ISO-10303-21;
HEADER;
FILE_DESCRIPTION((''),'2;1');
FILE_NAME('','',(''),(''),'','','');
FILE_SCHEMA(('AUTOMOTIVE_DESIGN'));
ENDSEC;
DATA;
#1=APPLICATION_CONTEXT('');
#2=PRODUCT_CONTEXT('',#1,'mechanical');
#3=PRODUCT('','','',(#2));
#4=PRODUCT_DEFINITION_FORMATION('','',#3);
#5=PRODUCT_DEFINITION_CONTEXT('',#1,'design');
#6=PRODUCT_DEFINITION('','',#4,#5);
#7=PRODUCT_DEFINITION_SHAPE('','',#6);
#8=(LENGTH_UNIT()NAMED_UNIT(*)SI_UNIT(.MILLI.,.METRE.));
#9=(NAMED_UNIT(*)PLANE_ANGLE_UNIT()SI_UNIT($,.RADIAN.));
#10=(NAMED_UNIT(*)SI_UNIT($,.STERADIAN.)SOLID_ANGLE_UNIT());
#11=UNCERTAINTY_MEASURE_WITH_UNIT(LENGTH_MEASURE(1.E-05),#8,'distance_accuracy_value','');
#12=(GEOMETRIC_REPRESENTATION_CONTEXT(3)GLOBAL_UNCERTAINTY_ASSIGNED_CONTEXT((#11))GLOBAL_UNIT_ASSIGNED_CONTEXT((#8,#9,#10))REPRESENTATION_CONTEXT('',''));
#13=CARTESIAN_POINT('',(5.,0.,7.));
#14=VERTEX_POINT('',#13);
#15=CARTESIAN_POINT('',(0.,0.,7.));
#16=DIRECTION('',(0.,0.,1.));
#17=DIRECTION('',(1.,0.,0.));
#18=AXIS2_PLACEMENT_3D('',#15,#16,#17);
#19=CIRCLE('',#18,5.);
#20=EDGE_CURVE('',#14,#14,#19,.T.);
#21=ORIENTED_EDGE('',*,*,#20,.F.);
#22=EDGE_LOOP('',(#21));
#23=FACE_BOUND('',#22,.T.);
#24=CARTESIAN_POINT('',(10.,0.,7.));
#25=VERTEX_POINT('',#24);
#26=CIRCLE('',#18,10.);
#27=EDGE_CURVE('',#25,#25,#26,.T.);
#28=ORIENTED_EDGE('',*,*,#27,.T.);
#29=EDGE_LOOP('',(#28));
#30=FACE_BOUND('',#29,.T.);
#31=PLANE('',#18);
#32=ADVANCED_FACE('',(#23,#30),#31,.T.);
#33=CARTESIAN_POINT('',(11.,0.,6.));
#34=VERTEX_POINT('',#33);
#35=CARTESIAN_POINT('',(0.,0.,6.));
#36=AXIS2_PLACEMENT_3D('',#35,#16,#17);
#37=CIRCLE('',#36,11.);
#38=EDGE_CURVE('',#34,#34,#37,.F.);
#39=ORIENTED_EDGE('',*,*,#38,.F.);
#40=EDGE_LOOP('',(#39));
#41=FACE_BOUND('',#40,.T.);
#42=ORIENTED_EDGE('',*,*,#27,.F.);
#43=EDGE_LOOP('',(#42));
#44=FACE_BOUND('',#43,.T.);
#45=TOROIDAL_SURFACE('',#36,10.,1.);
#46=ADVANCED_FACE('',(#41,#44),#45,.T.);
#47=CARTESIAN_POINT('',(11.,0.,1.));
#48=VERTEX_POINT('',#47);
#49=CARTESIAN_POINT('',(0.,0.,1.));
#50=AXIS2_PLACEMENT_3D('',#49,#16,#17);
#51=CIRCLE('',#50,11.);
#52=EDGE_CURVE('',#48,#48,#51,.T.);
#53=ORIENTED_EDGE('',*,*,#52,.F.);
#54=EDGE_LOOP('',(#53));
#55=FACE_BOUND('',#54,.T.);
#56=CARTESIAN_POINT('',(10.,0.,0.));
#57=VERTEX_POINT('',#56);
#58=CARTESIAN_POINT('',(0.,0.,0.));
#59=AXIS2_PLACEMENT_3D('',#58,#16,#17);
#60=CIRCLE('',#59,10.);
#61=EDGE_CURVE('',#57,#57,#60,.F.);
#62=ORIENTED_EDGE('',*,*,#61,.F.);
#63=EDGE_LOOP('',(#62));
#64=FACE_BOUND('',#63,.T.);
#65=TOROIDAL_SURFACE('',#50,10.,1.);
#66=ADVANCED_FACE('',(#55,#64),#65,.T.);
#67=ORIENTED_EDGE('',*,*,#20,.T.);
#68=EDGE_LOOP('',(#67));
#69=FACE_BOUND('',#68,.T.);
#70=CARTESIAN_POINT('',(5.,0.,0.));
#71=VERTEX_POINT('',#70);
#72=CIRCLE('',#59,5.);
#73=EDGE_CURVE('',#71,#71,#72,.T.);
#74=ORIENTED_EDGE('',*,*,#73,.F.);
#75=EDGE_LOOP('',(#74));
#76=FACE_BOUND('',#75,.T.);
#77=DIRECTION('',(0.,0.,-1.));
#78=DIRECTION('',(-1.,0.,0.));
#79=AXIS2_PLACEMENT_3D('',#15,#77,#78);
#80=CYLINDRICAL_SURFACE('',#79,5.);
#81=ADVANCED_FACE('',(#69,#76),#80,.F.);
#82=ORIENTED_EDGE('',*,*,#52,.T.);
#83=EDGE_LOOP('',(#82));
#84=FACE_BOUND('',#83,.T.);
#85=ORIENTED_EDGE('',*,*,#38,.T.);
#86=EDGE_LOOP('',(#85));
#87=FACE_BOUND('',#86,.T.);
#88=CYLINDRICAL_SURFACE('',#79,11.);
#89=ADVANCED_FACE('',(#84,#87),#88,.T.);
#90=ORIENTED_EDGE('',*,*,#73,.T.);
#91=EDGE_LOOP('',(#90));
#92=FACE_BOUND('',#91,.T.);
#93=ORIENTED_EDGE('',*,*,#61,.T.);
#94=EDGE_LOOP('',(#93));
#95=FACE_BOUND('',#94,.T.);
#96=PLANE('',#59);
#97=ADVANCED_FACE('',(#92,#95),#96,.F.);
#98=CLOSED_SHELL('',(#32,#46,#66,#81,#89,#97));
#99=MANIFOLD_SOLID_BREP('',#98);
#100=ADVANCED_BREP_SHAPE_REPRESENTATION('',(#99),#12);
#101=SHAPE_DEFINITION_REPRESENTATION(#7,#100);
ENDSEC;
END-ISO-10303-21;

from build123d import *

# Parameters (mm, degrees)
CROQUIS1_R              = 11
CROQUIS1_R_2            = 5
SALIENTE_EXTRUIR1_DEPTH = 7
REDONDEO1_R             = 1


with BuildPart() as part:
    # Croquis1 → Saliente-Extruir1 (new body)
    with BuildSketch(Plane.XY):
        Circle(CROQUIS1_R)
        Circle(CROQUIS1_R_2, mode=Mode.SUBTRACT)
    extrude(amount=SALIENTE_EXTRUIR1_DEPTH)

    # Redondeo1
    redondeo1_edges = [part.edges().sort_by_distance(p)[0] for p in [
        (-11, 0, 0),
        (-11, 0, 7),
    ]]
    fillet(redondeo1_edges, radius=REDONDEO1_R)


solid = part.part
